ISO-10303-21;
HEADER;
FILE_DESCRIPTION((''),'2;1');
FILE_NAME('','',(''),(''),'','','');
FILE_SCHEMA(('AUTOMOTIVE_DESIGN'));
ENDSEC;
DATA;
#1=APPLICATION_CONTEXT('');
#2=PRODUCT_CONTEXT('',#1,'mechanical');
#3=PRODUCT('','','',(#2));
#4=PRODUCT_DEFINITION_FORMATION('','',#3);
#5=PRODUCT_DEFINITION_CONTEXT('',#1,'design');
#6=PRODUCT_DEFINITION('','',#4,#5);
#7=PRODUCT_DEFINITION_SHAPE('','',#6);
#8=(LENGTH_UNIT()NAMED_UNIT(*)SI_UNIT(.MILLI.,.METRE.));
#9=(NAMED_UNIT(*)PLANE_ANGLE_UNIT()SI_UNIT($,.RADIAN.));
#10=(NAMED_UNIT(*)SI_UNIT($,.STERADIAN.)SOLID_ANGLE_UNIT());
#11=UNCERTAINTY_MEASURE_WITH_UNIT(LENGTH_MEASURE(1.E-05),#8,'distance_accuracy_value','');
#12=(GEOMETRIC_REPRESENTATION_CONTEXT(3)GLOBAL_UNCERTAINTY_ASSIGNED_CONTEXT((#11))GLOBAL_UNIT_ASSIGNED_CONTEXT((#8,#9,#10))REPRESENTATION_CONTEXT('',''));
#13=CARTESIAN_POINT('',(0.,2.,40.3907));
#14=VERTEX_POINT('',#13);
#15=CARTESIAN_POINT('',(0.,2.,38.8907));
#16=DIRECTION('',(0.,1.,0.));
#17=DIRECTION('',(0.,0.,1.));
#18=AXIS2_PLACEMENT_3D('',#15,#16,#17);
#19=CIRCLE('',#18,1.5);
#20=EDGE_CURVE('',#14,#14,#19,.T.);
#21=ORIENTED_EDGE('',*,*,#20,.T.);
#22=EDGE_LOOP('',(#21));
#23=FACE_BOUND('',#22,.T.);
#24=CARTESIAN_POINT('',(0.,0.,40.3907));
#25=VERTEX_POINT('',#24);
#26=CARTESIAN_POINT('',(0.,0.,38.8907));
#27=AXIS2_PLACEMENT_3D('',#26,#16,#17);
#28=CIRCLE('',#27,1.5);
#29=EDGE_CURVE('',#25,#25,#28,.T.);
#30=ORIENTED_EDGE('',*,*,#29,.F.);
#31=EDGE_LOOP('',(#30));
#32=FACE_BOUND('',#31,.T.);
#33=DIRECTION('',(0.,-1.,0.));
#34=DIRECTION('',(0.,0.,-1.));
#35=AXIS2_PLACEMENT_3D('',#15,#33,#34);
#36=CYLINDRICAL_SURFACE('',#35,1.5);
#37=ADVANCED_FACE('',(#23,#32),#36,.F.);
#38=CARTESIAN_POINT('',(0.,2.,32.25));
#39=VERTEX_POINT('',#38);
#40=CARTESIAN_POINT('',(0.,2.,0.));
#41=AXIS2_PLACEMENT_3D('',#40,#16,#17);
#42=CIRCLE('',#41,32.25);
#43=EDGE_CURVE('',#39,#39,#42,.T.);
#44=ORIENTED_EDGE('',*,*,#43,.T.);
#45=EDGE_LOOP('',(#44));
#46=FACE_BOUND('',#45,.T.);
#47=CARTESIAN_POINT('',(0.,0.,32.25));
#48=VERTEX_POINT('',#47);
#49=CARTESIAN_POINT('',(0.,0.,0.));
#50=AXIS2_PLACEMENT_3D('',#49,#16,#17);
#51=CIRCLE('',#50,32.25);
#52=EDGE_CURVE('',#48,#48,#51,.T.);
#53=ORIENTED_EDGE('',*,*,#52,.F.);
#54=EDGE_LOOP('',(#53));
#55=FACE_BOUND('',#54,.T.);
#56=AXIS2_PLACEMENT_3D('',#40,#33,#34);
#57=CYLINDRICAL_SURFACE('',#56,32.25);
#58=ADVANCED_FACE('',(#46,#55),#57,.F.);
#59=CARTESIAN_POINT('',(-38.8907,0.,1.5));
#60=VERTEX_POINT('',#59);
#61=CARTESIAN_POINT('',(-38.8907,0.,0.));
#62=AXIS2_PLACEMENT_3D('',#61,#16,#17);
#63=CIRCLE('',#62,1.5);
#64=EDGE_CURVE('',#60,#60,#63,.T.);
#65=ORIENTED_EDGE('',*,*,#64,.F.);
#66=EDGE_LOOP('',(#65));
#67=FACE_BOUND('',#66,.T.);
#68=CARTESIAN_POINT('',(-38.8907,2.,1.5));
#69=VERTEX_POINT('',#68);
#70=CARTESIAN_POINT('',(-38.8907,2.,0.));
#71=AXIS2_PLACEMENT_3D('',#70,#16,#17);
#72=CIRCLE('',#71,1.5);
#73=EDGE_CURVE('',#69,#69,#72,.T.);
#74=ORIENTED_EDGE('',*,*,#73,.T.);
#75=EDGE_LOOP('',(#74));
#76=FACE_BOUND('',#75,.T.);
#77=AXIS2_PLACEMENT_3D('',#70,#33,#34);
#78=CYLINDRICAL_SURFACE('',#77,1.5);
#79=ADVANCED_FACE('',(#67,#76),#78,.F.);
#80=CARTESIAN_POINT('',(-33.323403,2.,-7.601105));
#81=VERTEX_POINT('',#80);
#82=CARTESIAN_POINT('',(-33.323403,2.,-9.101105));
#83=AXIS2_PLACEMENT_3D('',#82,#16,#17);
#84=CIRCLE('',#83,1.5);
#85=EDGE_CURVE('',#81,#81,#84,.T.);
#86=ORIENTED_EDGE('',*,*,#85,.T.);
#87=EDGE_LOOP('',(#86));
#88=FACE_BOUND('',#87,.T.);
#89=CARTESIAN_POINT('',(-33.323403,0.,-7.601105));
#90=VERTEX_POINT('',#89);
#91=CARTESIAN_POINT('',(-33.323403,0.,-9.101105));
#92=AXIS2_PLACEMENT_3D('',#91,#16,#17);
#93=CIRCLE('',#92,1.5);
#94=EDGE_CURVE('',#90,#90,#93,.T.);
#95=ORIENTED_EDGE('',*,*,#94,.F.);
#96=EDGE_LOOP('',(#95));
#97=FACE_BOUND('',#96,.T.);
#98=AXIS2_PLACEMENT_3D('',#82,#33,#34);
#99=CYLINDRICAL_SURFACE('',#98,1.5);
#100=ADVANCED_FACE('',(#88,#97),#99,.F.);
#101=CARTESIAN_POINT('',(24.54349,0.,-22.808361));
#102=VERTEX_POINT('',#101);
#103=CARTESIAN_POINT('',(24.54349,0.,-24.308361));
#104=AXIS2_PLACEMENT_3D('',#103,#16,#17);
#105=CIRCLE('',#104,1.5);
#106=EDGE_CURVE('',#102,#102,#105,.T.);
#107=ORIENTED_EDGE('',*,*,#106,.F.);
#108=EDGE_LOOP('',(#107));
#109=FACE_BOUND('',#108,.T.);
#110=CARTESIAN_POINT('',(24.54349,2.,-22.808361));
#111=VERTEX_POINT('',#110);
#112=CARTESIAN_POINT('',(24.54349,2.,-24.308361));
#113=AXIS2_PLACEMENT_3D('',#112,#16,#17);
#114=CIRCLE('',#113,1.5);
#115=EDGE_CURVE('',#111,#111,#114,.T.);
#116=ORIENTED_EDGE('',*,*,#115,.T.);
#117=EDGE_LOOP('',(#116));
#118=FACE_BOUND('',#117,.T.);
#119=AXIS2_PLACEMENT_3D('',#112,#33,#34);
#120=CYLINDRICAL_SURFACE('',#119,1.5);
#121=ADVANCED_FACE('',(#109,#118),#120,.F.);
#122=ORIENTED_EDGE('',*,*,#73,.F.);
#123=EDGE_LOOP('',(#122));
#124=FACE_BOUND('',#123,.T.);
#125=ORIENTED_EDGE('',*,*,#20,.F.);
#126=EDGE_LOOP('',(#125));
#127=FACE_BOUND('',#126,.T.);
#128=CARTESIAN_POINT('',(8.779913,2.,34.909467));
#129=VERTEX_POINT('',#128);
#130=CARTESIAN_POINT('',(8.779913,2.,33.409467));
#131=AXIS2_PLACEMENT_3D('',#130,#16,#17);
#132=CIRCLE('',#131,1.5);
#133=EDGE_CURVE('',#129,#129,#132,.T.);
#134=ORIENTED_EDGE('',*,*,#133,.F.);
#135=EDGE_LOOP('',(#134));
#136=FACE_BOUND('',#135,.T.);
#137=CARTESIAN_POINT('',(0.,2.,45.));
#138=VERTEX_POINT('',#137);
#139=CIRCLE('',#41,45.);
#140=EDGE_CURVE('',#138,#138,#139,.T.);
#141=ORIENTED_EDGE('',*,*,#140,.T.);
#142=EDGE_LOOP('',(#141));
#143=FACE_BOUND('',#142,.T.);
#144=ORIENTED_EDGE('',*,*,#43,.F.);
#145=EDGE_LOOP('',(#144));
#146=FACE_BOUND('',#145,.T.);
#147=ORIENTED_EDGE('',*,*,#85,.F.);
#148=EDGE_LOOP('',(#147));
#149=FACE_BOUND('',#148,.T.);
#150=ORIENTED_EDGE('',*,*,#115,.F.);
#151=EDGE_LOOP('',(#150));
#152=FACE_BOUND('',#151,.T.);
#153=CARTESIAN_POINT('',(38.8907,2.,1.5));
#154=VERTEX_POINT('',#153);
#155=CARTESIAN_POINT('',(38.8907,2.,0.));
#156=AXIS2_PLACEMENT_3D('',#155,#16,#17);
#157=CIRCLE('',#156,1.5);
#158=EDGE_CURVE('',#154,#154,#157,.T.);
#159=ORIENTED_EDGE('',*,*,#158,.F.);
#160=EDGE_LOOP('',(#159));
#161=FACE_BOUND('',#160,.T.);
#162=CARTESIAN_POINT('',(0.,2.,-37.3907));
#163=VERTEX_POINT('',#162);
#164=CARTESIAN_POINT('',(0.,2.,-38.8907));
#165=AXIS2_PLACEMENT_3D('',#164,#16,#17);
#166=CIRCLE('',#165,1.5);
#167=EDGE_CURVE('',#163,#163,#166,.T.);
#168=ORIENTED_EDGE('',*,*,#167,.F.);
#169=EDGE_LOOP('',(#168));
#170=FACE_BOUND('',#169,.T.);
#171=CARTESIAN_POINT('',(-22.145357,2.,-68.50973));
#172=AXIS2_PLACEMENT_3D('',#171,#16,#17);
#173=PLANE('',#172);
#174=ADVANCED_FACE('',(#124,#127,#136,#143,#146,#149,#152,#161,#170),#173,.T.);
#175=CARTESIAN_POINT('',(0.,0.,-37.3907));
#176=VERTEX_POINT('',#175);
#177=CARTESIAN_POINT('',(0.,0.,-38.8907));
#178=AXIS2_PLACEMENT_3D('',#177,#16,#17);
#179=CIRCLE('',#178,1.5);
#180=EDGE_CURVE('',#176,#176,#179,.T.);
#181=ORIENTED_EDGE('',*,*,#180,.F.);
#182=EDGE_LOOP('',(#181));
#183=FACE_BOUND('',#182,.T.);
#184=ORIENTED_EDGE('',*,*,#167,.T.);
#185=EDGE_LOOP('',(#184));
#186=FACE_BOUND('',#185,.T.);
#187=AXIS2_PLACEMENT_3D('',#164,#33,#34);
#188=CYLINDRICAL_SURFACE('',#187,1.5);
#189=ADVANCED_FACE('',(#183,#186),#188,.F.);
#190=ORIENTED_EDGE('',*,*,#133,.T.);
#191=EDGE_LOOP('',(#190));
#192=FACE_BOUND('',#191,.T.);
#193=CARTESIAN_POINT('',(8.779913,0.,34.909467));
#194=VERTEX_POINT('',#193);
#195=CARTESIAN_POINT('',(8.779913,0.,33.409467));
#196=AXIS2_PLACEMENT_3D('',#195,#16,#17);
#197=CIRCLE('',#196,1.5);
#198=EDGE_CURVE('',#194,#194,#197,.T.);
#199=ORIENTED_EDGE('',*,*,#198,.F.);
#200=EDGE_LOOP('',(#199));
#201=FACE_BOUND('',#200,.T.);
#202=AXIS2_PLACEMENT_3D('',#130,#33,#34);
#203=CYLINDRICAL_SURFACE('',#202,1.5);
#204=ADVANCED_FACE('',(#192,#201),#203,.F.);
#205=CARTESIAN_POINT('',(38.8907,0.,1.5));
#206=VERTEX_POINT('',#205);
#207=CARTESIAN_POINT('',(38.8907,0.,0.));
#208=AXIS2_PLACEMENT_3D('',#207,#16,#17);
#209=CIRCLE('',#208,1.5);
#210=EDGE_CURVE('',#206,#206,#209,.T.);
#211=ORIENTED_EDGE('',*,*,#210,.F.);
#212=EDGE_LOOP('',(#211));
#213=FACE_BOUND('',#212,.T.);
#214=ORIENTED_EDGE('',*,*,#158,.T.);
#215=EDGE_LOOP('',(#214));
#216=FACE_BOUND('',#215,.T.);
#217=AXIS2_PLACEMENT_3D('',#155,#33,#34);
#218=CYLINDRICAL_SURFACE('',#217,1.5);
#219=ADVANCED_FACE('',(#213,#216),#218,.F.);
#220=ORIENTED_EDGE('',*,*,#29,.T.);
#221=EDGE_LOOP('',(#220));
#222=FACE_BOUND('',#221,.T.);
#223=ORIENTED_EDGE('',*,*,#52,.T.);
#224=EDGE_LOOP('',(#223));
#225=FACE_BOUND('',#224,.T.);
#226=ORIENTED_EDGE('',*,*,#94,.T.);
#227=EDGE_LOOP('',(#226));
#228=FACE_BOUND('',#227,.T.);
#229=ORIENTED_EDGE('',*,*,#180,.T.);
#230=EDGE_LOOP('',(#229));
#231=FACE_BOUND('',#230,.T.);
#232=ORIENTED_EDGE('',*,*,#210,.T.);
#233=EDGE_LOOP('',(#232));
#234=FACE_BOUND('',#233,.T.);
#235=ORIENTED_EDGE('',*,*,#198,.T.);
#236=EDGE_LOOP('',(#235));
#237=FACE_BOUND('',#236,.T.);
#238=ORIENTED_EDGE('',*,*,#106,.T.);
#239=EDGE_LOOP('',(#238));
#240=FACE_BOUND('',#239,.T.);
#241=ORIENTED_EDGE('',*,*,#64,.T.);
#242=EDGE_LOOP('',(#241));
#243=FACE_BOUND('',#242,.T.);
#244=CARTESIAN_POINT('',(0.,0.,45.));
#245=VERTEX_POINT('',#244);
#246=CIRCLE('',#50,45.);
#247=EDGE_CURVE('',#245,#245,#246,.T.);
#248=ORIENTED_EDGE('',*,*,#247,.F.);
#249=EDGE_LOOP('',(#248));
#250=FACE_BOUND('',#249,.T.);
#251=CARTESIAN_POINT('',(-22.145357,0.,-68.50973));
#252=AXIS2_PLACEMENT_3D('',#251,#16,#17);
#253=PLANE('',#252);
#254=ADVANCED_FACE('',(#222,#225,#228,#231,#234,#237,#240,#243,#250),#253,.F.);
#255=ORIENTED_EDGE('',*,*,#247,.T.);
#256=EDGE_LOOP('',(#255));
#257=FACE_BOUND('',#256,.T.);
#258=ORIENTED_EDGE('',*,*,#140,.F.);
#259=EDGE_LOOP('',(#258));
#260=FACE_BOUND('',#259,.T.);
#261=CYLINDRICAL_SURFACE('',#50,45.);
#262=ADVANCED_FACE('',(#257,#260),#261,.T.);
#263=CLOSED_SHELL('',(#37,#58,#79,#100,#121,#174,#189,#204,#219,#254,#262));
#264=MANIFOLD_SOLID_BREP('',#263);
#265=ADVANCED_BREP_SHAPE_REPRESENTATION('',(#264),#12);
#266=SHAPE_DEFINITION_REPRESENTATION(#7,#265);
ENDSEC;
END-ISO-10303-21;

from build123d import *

# Parameters (mm, degrees)
SKETCH2_R           = 1.5
SKETCH2_R_2         = 32.25
BOSS_EXTRUDE1_DEPTH = 2
SKETCH3_R           = 45
CUT_EXTRUDE1_DEPTH  = 74.566296631


with BuildPart() as part:
    # Sketch2 → Boss-Extrude1 (new body)
    with BuildSketch(Plane(origin=(0, 0, 0), x_dir=(1, 0, 0), z_dir=(0, 1, 0))):
        with BuildLine():
            Line((17.897079586, 48.929734976), (40.149284407, 43.651218265))
            ThreePointArc((40.149284407, 43.651218265), (42.540265174, 42.312242187), (43.866371506, 39.91409958))
            Line((43.866371506, 39.91409958), (49.02521675, 17.633846579))
            ThreePointArc((49.02521675, 17.633846579), (49.23478351, 16.809026698), (49.479249782, 15.993868858))
            ThreePointArc((49.479249782, 15.993868858), (51.999812242, -0.139738387), (49.392575566, -16.259565766))
            ThreePointArc((49.392575566, -16.259565766), (49.143731732, -17.073397941), (48.929734976, -17.897079586))
            Line((48.929734976, -17.897079586), (43.651218265, -40.149284407))
            ThreePointArc((43.651218265, -40.149284407), (42.312242187, -42.540265174), (39.91409958, -43.866371506))
            Line((39.91409958, -43.866371506), (17.633846579, -49.02521675))
            ThreePointArc((17.633846579, -49.02521675), (16.809026698, -49.23478351), (15.993868858, -49.479249782))
            ThreePointArc((15.993868858, -49.479249782), (-0.139738387, -51.999812242), (-16.259565766, -49.392575566))
            ThreePointArc((-16.259565766, -49.392575566), (-17.073397941, -49.143731732), (-17.897079586, -48.929734976))
            Line((-17.897079586, -48.929734976), (-40.149284407, -43.651218265))
            ThreePointArc((-40.149284407, -43.651218265), (-42.540265174, -42.312242187), (-43.866371506, -39.91409958))
            Line((-43.866371506, -39.91409958), (-49.02521675, -17.633846579))
            ThreePointArc((-49.02521675, -17.633846579), (-49.23478351, -16.809026698), (-49.479249782, -15.993868858))
            ThreePointArc((-49.479249782, -15.993868858), (-51.999812242, 0.139738387), (-49.392575566, 16.259565766))
            ThreePointArc((-49.392575566, 16.259565766), (-49.143731732, 17.073397941), (-48.929734976, 17.897079586))
            Line((-48.929734976, 17.897079586), (-43.651218265, 40.149284407))
            ThreePointArc((-43.651218265, 40.149284407), (-42.312242187, 42.540265174), (-39.91409958, 43.866371506))
            Line((-39.91409958, 43.866371506), (-17.633846579, 49.02521675))
            ThreePointArc((-17.633846579, 49.02521675), (-16.809026698, 49.23478351), (-15.993868858, 49.479249782))
            ThreePointArc((-15.993868858, 49.479249782), (-8.026622704, 51.3767781), (0.139738387, 51.999812242))
            ThreePointArc((0.139738387, 51.999812242), (8.302633013, 51.332896714), (16.259565766, 49.392575566))
            ThreePointArc((16.259565766, 49.392575566), (17.073397941, 49.143731732), (17.897079586, 48.929734976))
        make_face()
        with Locations(Location((-38.8907, 38.8907, 0), (0, 0, 270))):
            Circle(SKETCH2_R, mode=Mode.SUBTRACT)
        with Locations(Location((38.8907, 38.8907, 0), (0, 0, 90))):
            Circle(SKETCH2_R, mode=Mode.SUBTRACT)
        with Locations(Location((38.8907, -38.8907, 0), (0, 0, 270))):
            Circle(SKETCH2_R, mode=Mode.SUBTRACT)
        with Locations(Location((-38.8907, -38.8907, 0), (0, 0, 90))):
            Circle(SKETCH2_R, mode=Mode.SUBTRACT)
        with Locations(Location((-33.323403491, 9.101105168, 0), (0, 0, 270))):
            Circle(SKETCH2_R, mode=Mode.SUBTRACT)
        with Locations(Location((24.543490023, 24.30836138, 0), (0, 0, 270))):
            Circle(SKETCH2_R, mode=Mode.SUBTRACT)
        with Locations(Location((8.779913467, -33.409466548, 0), (0, 0, 270))):
            Circle(SKETCH2_R, mode=Mode.SUBTRACT)
        with Locations(Location((0, 0, 0), (0, 0, 270))):
            Circle(SKETCH2_R_2, mode=Mode.SUBTRACT)
        with Locations(Location((0, 38.8907, 0), (0, 0, 270))):
            Circle(SKETCH2_R, mode=Mode.SUBTRACT)
        with Locations(Location((38.8907, 0, 0), (0, 0, 270))):
            Circle(SKETCH2_R, mode=Mode.SUBTRACT)
        with Locations(Location((0, -38.8907, 0), (0, 0, 270))):
            Circle(SKETCH2_R, mode=Mode.SUBTRACT)
        with Locations(Location((-38.8907, 0, 0), (0, 0, 270))):
            Circle(SKETCH2_R, mode=Mode.SUBTRACT)
    extrude(amount=BOSS_EXTRUDE1_DEPTH)

    # Sketch3 → Cut-Extrude1 (cut, through all)
    with BuildSketch(Plane(origin=(0, 2, 0), x_dir=(1, 0, 0), z_dir=(0, 1, 0))):
        with BuildLine():
            Line((-43.651218265, 40.149284407), (-48.929734976, 17.897079586))
            ThreePointArc((-48.929734976, 17.897079586), (-49.143731732, 17.073397941), (-49.392575566, 16.259565766))
            ThreePointArc((-49.392575566, 16.259565766), (-51.999812242, 0.139738387), (-49.479249782, -15.993868858))
            ThreePointArc((-49.479249782, -15.993868858), (-49.23478351, -16.809026698), (-49.02521675, -17.633846579))
            Line((-49.02521675, -17.633846579), (-43.866371506, -39.91409958))
            ThreePointArc((-43.866371506, -39.91409958), (-42.540265174, -42.312242187), (-40.149284407, -43.651218265))
            Line((-40.149284407, -43.651218265), (-17.897079586, -48.929734976))
            ThreePointArc((-17.897079586, -48.929734976), (-17.073397941, -49.143731732), (-16.259565766, -49.392575566))
            ThreePointArc((-16.259565766, -49.392575566), (-0.139738387, -51.999812242), (15.993868858, -49.479249782))
            ThreePointArc((15.993868858, -49.479249782), (16.809026698, -49.23478351), (17.633846579, -49.02521675))
            Line((17.633846579, -49.02521675), (39.91409958, -43.866371506))
            ThreePointArc((39.91409958, -43.866371506), (42.312242187, -42.540265174), (43.651218265, -40.149284407))
            Line((43.651218265, -40.149284407), (48.929734976, -17.897079586))
            ThreePointArc((48.929734976, -17.897079586), (49.143731732, -17.073397941), (49.392575566, -16.259565766))
            ThreePointArc((49.392575566, -16.259565766), (51.999812242, -0.139738387), (49.479249782, 15.993868858))
            ThreePointArc((49.479249782, 15.993868858), (49.23478351, 16.809026698), (49.02521675, 17.633846579))
            Line((49.02521675, 17.633846579), (43.866371506, 39.91409958))
            ThreePointArc((43.866371506, 39.91409958), (42.540265174, 42.312242187), (40.149284407, 43.651218265))
            Line((40.149284407, 43.651218265), (17.897079586, 48.929734976))
            ThreePointArc((17.897079586, 48.929734976), (17.073397941, 49.143731732), (16.259565766, 49.392575566))
            ThreePointArc((16.259565766, 49.392575566), (0.139738387, 51.999812242), (-15.993868858, 49.479249782))
            ThreePointArc((-15.993868858, 49.479249782), (-16.809026698, 49.23478351), (-17.633846579, 49.02521675))
            Line((-17.633846579, 49.02521675), (-39.91409958, 43.866371506))
            ThreePointArc((-39.91409958, 43.866371506), (-42.312242187, 42.540265174), (-43.651218265, 40.149284407))
        make_face()
        with Locations(Location((0, 0, 0), (0, 0, 270))):
            Circle(SKETCH3_R, mode=Mode.SUBTRACT)
    extrude(amount=-CUT_EXTRUDE1_DEPTH, mode=Mode.SUBTRACT)


solid = part.part
